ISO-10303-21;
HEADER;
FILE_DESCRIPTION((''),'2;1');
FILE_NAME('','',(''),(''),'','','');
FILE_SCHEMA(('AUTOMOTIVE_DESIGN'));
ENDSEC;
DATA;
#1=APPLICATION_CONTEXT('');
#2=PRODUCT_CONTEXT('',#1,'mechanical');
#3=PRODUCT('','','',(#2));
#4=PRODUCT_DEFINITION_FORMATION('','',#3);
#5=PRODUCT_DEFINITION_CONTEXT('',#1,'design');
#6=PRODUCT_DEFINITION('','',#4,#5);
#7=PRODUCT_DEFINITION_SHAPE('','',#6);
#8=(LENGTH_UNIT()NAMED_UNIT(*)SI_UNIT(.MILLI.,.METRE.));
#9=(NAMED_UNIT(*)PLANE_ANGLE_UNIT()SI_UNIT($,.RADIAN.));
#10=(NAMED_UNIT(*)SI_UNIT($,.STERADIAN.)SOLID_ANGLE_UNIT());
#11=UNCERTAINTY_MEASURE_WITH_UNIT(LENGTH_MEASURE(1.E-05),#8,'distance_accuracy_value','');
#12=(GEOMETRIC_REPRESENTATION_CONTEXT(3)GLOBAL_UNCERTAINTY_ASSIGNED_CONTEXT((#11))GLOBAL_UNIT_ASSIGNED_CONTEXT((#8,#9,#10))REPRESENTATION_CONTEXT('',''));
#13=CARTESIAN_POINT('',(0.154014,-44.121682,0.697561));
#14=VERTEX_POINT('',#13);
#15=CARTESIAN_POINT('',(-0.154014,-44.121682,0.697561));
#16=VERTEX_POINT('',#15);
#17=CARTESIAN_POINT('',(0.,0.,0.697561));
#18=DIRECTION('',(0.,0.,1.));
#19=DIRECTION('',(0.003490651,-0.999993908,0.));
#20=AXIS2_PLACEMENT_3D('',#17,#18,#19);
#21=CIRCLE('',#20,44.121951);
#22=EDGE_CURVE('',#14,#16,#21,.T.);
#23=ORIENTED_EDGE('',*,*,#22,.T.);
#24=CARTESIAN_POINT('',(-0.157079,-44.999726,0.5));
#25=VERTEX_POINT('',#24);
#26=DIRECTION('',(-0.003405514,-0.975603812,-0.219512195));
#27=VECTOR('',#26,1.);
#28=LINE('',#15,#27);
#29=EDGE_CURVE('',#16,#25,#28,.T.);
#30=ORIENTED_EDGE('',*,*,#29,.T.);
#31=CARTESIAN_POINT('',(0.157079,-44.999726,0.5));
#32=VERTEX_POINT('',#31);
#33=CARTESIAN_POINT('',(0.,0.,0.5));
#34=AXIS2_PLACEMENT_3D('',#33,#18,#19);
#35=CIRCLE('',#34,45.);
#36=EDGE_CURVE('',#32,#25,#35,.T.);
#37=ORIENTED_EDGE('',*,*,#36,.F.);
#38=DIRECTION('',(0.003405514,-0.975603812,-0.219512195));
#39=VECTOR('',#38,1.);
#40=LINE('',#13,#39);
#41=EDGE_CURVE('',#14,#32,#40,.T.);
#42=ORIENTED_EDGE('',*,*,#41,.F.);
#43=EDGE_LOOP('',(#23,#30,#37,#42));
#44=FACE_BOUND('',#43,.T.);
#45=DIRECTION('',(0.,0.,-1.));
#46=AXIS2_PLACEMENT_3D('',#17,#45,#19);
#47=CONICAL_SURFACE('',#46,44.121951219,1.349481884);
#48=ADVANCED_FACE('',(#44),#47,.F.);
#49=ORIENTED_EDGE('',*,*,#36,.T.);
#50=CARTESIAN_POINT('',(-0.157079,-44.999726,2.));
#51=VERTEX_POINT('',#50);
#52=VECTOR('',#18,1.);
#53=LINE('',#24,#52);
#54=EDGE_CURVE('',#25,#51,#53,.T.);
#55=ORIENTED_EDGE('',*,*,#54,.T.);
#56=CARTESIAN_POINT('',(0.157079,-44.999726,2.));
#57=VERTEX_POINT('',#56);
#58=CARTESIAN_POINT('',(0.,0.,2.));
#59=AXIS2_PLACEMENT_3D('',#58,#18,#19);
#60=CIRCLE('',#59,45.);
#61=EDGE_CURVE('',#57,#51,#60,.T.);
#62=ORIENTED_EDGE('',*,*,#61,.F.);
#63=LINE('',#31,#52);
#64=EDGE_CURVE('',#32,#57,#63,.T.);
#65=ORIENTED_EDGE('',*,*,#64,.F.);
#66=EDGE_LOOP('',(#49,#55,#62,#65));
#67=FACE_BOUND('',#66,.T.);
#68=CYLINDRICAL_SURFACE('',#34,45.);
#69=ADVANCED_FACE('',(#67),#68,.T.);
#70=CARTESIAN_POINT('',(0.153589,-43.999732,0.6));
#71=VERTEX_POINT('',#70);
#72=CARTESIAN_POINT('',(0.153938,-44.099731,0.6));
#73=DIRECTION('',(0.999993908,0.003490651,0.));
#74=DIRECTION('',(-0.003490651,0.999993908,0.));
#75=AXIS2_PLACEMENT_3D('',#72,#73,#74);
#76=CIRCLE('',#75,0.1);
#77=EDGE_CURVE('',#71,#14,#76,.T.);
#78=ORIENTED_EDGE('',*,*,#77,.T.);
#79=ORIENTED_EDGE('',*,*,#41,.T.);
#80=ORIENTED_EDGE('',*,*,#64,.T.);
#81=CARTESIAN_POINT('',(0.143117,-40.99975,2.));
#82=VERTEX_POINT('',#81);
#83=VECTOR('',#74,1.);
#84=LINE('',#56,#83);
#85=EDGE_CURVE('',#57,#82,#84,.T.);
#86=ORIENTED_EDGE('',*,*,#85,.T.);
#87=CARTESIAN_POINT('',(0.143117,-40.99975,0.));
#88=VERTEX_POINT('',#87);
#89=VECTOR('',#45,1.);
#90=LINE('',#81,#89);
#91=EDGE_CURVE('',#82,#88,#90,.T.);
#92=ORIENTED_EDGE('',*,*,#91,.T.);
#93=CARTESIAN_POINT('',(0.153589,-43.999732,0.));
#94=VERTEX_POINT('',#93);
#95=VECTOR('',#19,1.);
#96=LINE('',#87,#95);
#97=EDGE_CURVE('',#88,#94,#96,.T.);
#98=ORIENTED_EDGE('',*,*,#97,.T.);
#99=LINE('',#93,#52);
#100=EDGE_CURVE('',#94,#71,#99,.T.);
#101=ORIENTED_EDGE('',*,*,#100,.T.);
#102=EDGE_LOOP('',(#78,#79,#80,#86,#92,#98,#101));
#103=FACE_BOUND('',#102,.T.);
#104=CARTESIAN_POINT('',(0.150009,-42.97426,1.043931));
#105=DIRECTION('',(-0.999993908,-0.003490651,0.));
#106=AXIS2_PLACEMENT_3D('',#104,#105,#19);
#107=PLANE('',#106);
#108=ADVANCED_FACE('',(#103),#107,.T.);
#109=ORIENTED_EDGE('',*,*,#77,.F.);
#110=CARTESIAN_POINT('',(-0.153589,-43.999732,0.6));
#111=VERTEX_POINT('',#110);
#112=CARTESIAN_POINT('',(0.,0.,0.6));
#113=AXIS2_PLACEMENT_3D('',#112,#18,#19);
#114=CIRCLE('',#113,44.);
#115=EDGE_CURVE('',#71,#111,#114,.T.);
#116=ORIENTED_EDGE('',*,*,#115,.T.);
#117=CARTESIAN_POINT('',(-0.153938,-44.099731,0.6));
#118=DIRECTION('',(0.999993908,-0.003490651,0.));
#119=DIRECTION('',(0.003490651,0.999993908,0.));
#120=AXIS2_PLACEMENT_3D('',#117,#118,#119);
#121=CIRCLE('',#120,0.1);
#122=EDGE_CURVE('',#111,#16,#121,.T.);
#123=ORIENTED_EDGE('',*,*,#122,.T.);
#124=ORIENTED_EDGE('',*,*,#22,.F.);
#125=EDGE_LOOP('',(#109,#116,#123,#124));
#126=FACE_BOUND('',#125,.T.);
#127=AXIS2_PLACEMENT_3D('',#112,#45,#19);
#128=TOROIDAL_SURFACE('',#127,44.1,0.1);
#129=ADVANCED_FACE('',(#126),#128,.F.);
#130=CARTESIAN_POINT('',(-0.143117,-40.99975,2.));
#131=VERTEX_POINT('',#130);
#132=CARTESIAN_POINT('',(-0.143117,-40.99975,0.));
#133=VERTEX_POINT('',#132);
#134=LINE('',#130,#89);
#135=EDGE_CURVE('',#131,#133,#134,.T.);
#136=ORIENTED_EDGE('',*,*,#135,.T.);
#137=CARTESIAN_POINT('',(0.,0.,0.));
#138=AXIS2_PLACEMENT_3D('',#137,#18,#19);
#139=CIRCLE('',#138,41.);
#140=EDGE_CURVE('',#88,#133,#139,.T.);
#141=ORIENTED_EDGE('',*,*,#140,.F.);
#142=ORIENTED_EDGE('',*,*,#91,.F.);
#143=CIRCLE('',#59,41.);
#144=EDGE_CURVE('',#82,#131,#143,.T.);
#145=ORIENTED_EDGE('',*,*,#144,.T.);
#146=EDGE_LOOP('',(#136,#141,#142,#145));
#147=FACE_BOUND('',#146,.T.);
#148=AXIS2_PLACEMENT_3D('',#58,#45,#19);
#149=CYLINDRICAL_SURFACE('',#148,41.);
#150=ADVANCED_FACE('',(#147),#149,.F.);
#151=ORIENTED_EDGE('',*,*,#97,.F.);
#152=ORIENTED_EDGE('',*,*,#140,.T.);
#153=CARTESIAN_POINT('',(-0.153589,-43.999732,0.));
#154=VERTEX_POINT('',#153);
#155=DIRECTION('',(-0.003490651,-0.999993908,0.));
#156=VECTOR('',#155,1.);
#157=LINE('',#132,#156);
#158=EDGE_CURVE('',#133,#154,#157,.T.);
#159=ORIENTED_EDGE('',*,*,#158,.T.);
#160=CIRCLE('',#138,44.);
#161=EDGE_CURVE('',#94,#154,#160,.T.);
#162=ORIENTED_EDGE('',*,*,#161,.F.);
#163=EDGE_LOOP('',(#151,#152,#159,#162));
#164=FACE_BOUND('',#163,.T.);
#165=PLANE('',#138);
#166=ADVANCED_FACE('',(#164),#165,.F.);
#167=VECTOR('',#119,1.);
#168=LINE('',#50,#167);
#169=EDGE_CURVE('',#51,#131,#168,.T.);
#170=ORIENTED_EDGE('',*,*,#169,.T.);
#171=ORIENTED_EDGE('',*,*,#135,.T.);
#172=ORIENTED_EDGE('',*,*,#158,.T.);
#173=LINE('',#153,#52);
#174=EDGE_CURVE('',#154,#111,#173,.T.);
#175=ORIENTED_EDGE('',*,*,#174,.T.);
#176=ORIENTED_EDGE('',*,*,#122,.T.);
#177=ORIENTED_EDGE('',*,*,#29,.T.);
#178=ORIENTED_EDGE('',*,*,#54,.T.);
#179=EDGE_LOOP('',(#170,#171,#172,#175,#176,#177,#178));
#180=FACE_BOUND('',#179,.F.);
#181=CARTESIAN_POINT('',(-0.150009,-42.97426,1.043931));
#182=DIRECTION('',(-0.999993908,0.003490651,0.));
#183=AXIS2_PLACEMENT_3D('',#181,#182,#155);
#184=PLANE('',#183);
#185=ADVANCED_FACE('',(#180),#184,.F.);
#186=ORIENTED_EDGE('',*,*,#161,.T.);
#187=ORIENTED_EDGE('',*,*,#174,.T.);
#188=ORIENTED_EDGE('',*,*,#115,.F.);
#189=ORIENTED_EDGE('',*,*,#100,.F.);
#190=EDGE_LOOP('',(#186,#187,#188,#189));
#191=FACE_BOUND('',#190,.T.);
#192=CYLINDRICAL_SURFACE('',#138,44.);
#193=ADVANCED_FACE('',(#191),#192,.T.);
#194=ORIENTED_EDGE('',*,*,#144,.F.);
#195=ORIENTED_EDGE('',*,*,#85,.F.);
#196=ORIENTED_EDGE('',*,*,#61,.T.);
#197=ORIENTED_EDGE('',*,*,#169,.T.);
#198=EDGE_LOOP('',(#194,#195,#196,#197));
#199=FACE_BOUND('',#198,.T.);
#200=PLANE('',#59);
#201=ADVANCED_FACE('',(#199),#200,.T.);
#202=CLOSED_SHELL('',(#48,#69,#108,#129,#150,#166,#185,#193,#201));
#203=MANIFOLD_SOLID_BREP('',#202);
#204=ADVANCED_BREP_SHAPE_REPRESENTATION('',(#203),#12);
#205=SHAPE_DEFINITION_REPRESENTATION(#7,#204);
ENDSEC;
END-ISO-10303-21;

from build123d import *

# Parameters (mm, degrees)
F1_ANGLE_BACK = 179.8
F1_ANGLE      = 359.6


with BuildPart() as f1:
    # F0 (on Right) → F1 (revolve)
    with BuildSketch(Plane.YZ, mode=Mode.PRIVATE) as f1_sk:
        with BuildLine():
            Line((45, 2), (41, 2))
            Line((41, 2), (41, 0))
            Line((41, 0), (44, 0))
            Line((44, 0), (44, 0.6))
            ThreePointArc((44, 0.6), (44.0375304952, 0.6780868809), (44.1219512195, 0.6975609756))
            Line((44.1219512195, 0.6975609756), (45, 0.5))
            Line((45, 0.5), (45, 2))
        make_face()
    revolve(f1_sk.sketch.rotate(Axis((0, 0, 10), (0, 0, 1)), -F1_ANGLE_BACK), axis=Axis((0, 0, 10), (0, 0, 1)), revolution_arc=F1_ANGLE)


solid = f1.part
